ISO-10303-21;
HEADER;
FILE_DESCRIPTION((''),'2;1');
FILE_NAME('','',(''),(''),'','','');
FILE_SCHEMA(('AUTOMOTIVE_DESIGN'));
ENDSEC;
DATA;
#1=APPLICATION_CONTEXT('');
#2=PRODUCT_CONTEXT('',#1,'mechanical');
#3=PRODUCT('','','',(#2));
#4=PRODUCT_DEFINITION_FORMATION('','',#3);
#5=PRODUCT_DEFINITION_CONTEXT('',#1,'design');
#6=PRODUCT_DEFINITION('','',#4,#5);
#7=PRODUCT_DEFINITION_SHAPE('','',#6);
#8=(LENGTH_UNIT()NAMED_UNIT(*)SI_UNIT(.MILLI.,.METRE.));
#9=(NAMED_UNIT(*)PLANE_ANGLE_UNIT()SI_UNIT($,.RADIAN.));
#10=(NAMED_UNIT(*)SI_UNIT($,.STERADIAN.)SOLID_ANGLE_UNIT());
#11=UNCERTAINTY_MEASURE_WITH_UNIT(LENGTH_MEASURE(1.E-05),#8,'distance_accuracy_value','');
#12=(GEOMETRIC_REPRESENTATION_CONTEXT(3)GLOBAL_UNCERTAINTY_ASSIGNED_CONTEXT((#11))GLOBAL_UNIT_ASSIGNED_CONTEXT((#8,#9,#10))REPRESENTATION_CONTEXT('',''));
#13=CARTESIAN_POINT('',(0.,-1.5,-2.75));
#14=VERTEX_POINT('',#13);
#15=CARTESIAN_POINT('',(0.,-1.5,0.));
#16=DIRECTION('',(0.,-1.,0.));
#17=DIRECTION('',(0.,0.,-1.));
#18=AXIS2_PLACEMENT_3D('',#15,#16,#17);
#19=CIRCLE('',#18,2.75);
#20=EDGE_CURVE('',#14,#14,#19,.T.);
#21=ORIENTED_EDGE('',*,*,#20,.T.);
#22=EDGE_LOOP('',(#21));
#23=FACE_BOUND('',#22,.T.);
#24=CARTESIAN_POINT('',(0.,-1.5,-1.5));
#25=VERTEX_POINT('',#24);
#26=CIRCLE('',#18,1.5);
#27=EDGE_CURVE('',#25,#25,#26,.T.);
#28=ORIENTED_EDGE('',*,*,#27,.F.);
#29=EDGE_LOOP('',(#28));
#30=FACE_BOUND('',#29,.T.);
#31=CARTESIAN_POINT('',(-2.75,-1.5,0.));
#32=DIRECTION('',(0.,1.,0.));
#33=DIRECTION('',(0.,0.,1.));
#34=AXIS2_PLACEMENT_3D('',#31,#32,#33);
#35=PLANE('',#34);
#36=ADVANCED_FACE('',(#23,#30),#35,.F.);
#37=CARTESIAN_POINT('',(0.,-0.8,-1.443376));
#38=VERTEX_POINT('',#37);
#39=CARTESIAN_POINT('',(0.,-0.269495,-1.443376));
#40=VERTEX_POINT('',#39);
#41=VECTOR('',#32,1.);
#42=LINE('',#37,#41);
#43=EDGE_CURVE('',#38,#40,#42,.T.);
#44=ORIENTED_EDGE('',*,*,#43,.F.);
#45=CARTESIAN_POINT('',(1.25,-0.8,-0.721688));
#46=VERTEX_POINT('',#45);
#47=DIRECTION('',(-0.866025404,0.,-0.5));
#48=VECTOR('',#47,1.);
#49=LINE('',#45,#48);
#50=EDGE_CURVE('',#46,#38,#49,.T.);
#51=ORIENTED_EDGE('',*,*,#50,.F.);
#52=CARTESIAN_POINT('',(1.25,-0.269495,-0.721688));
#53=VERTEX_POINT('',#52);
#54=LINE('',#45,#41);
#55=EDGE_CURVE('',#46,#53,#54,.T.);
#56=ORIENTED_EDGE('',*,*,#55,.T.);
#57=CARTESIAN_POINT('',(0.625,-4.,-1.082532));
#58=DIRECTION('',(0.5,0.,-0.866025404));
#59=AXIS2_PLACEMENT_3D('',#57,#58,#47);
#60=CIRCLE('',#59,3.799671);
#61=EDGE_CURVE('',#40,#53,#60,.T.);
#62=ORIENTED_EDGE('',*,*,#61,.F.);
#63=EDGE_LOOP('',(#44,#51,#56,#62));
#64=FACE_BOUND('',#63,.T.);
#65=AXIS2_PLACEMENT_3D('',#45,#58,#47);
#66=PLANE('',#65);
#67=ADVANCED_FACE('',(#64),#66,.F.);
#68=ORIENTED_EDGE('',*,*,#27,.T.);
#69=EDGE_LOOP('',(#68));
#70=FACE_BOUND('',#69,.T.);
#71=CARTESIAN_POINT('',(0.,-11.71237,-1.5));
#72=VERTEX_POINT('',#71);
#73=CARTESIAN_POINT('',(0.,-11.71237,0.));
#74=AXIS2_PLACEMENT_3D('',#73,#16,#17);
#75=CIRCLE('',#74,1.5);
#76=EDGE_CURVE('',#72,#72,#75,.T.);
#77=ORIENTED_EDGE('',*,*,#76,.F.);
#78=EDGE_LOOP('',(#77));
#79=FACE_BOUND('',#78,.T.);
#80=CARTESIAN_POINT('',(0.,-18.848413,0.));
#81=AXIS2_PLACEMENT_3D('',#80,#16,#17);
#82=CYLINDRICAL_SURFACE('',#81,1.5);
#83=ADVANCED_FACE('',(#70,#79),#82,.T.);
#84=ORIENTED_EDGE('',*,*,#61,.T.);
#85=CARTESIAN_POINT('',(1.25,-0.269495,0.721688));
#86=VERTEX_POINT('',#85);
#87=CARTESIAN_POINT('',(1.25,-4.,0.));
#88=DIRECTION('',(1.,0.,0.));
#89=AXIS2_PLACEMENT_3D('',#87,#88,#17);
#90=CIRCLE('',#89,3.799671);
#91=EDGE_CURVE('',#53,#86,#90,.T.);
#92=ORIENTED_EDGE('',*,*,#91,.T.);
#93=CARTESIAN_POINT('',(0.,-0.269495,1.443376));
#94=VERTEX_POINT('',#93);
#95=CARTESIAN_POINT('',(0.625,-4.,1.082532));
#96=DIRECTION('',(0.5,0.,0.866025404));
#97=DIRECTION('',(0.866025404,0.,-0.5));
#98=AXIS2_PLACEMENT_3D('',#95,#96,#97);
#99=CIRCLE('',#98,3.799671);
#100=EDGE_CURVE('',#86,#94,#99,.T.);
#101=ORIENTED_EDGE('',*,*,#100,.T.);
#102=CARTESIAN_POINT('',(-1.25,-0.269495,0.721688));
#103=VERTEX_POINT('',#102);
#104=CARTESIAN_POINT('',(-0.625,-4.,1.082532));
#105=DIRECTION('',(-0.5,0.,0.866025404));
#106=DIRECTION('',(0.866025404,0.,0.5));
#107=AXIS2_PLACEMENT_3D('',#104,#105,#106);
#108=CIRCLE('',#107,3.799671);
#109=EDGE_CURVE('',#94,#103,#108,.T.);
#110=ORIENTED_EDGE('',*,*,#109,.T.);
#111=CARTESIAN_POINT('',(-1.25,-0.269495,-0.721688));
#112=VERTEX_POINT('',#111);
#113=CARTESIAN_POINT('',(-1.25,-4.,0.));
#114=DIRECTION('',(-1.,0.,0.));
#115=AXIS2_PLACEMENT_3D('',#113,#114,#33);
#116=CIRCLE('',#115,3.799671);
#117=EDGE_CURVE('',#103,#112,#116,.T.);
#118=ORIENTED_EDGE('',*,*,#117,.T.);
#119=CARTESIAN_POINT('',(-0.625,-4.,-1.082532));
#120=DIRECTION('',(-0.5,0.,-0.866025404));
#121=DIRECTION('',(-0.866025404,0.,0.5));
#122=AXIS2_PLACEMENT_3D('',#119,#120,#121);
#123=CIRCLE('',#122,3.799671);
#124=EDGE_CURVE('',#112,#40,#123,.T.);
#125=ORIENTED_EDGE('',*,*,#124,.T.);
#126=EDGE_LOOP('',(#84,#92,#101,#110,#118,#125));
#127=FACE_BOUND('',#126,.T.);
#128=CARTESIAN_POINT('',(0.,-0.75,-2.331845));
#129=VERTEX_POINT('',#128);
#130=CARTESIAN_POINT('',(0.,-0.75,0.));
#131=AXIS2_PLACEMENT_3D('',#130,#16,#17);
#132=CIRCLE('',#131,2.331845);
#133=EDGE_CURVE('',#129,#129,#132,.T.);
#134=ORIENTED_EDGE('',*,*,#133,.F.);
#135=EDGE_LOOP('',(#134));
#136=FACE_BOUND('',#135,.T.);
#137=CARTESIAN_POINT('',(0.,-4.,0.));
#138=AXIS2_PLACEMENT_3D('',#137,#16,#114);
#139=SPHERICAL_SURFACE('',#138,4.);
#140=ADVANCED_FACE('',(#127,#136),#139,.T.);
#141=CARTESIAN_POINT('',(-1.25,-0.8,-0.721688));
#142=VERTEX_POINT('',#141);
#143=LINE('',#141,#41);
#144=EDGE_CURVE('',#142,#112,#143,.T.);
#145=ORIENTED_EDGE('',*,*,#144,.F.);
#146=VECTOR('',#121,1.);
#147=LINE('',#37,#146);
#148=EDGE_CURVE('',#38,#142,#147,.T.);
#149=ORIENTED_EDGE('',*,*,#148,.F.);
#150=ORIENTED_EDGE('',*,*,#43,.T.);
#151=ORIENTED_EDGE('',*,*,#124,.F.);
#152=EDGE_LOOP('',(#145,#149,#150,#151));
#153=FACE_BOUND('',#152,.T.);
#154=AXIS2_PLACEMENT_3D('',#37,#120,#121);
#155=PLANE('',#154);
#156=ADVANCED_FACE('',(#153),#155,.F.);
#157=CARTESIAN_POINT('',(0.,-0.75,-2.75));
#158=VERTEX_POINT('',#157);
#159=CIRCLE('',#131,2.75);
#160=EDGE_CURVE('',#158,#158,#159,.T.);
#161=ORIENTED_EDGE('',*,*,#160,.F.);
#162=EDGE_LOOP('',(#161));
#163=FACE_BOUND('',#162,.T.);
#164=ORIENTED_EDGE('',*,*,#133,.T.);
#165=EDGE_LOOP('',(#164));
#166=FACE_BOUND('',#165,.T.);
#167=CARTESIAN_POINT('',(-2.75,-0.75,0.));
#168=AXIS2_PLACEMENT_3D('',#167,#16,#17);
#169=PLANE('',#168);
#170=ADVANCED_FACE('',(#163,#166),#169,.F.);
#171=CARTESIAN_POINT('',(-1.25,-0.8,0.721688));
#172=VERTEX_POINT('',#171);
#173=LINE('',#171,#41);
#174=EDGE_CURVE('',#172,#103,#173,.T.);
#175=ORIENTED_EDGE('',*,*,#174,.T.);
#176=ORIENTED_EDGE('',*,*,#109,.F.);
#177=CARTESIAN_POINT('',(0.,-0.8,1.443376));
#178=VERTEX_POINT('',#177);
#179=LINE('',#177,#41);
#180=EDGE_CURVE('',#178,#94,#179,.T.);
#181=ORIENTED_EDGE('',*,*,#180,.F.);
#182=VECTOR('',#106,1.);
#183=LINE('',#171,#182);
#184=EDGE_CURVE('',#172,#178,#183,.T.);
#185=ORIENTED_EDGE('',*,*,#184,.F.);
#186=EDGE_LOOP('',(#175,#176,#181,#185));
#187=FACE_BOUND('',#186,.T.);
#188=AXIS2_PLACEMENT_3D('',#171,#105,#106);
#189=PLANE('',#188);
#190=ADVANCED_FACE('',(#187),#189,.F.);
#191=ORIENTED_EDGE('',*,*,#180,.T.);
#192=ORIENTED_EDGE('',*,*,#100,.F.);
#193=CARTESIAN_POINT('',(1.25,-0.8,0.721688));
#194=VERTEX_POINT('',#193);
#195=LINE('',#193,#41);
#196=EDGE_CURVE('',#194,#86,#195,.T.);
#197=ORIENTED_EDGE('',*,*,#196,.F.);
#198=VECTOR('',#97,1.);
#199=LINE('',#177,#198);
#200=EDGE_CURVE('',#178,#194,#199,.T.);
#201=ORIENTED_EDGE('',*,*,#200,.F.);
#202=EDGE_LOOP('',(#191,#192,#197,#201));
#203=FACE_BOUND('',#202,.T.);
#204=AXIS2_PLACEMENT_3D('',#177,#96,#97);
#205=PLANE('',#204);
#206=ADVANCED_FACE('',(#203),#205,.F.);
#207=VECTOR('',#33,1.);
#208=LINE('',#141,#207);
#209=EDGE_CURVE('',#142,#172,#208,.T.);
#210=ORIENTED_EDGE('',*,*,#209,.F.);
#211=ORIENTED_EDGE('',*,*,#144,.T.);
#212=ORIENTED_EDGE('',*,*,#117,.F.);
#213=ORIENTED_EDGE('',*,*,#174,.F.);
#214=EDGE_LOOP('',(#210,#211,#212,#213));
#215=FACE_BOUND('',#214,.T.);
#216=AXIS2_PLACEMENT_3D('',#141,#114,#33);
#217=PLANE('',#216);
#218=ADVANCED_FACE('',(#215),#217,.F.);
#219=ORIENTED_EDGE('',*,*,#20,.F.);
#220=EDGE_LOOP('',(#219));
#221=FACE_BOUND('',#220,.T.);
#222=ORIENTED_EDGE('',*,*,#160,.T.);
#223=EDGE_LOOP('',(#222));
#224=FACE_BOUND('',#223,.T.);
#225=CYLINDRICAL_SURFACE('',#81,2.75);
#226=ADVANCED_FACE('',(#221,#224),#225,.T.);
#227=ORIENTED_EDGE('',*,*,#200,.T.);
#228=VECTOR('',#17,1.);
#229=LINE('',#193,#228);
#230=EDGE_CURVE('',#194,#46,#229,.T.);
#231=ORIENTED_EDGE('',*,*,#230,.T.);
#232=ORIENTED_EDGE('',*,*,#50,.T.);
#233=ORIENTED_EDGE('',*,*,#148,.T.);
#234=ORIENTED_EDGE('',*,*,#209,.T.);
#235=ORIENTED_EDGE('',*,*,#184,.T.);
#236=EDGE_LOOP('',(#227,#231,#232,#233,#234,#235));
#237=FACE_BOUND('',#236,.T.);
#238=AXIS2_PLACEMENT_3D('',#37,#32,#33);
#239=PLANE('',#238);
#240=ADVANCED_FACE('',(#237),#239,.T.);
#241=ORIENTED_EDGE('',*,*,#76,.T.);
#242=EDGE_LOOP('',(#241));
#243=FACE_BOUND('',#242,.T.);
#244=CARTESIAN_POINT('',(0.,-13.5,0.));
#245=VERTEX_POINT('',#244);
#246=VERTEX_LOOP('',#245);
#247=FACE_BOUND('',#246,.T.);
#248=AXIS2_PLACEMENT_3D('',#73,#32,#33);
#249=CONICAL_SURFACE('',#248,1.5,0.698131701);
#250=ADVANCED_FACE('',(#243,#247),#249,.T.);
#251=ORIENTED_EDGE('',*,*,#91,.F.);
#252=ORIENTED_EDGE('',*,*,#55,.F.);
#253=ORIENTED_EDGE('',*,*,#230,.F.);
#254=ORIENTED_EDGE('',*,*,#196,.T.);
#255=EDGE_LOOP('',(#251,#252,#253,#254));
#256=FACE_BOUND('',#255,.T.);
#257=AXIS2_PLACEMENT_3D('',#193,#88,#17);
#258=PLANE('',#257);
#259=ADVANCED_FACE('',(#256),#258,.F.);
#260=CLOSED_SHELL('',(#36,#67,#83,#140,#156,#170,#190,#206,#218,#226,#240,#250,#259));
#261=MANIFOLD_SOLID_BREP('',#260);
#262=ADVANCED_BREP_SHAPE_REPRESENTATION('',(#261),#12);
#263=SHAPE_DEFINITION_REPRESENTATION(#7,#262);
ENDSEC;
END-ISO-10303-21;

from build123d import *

# Parameters (mm, degrees)
ENL_V_MAT_EXTRU_1_DEPTH = 0.8


with BuildPart() as part:
    # Esquisse1 → Révolution1 (revolve)
    with BuildSketch(Plane.XY, mode=Mode.PRIVATE) as r_volution1_sk:
        with BuildLine():
            Line((-2.75, -1.5), (-1.5, -1.5))
            Line((-1.5, -1.5), (-1.5, -11.712369611))
            Line((-1.5, -11.712369611), (0, -13.5))
            Line((0, -13.5), (0, 0))
            ThreePointArc((0, 0), (-1.224744871, -0.192113447), (-2.331844763, -0.75))
            Line((-2.331844763, -0.75), (-2.75, -0.75))
            Line((-2.75, -0.75), (-2.75, -1.5))
        make_face()
    revolve(r_volution1_sk.sketch.rotate(Axis((0, -18.848412698, 0), (0, 1, 0)), 270), axis=Axis((0, -18.848412698, 0), (0, 1, 0)))  # turned: the seam where the file's is

    # Esquisse2 → Enlèv. mat.-Extru.1 (cut)
    with BuildSketch(Plane(origin=(0, 0, 0), x_dir=(1, 0, 0), z_dir=(0, 1, 0))):
        Polygon((0, 1.443375673), (-1.25, 0.721687836), (-1.25, -0.721687836), (0, -1.443375673), (1.25, -0.721687836), (1.25, 0.721687836), align=None)
    extrude(amount=-ENL_V_MAT_EXTRU_1_DEPTH, mode=Mode.SUBTRACT)


solid = part.part
